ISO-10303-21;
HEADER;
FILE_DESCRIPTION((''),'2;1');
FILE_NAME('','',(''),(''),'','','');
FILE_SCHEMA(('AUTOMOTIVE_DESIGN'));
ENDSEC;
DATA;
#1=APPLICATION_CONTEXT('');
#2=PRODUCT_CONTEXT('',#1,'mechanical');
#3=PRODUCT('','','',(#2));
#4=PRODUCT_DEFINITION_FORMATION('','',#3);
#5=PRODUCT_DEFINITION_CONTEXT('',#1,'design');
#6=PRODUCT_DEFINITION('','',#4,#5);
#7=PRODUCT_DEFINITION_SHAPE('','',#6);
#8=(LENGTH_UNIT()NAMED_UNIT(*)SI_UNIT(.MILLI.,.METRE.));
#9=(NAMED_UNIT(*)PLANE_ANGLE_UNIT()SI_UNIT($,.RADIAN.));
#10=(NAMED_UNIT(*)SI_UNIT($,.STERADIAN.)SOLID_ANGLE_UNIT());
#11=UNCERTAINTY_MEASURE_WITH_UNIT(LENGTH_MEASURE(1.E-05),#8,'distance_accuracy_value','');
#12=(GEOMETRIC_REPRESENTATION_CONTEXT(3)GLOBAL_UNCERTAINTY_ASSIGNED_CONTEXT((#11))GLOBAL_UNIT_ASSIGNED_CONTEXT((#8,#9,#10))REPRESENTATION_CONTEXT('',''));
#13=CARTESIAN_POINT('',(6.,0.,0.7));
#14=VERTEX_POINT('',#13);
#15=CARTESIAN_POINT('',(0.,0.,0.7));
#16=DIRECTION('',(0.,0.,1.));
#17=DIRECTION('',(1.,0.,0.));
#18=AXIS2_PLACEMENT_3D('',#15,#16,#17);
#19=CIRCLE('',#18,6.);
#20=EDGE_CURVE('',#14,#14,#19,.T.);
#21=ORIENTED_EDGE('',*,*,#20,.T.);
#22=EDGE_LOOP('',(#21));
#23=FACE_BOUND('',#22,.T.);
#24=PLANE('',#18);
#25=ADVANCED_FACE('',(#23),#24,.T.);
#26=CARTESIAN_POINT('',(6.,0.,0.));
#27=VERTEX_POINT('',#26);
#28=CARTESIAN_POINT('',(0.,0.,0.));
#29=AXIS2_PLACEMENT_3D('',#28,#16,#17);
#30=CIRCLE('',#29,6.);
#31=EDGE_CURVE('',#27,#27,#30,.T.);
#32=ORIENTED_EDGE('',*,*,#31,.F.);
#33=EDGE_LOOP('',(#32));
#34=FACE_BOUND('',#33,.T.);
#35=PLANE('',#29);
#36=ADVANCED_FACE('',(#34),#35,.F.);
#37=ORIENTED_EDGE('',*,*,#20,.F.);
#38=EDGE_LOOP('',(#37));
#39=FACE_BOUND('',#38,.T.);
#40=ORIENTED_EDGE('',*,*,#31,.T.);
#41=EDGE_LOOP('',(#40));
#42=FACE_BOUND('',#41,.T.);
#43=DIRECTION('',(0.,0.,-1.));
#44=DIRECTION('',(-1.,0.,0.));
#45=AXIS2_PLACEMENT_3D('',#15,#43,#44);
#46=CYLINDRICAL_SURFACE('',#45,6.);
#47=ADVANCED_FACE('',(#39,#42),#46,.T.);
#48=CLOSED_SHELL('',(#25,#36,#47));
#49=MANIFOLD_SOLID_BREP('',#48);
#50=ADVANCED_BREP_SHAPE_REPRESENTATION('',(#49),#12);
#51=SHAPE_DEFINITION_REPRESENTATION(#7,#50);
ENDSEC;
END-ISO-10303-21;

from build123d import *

# Parameters (mm, degrees)
ESQUISSE1_R        = 6
BOSS_EXTRU_1_DEPTH = 0.7


with BuildPart() as part:
    # Esquisse1 → Boss.-Extru.1 (new body)
    with BuildSketch(Plane.XY):
        Circle(ESQUISSE1_R)
    extrude(amount=BOSS_EXTRU_1_DEPTH)


solid = part.part
